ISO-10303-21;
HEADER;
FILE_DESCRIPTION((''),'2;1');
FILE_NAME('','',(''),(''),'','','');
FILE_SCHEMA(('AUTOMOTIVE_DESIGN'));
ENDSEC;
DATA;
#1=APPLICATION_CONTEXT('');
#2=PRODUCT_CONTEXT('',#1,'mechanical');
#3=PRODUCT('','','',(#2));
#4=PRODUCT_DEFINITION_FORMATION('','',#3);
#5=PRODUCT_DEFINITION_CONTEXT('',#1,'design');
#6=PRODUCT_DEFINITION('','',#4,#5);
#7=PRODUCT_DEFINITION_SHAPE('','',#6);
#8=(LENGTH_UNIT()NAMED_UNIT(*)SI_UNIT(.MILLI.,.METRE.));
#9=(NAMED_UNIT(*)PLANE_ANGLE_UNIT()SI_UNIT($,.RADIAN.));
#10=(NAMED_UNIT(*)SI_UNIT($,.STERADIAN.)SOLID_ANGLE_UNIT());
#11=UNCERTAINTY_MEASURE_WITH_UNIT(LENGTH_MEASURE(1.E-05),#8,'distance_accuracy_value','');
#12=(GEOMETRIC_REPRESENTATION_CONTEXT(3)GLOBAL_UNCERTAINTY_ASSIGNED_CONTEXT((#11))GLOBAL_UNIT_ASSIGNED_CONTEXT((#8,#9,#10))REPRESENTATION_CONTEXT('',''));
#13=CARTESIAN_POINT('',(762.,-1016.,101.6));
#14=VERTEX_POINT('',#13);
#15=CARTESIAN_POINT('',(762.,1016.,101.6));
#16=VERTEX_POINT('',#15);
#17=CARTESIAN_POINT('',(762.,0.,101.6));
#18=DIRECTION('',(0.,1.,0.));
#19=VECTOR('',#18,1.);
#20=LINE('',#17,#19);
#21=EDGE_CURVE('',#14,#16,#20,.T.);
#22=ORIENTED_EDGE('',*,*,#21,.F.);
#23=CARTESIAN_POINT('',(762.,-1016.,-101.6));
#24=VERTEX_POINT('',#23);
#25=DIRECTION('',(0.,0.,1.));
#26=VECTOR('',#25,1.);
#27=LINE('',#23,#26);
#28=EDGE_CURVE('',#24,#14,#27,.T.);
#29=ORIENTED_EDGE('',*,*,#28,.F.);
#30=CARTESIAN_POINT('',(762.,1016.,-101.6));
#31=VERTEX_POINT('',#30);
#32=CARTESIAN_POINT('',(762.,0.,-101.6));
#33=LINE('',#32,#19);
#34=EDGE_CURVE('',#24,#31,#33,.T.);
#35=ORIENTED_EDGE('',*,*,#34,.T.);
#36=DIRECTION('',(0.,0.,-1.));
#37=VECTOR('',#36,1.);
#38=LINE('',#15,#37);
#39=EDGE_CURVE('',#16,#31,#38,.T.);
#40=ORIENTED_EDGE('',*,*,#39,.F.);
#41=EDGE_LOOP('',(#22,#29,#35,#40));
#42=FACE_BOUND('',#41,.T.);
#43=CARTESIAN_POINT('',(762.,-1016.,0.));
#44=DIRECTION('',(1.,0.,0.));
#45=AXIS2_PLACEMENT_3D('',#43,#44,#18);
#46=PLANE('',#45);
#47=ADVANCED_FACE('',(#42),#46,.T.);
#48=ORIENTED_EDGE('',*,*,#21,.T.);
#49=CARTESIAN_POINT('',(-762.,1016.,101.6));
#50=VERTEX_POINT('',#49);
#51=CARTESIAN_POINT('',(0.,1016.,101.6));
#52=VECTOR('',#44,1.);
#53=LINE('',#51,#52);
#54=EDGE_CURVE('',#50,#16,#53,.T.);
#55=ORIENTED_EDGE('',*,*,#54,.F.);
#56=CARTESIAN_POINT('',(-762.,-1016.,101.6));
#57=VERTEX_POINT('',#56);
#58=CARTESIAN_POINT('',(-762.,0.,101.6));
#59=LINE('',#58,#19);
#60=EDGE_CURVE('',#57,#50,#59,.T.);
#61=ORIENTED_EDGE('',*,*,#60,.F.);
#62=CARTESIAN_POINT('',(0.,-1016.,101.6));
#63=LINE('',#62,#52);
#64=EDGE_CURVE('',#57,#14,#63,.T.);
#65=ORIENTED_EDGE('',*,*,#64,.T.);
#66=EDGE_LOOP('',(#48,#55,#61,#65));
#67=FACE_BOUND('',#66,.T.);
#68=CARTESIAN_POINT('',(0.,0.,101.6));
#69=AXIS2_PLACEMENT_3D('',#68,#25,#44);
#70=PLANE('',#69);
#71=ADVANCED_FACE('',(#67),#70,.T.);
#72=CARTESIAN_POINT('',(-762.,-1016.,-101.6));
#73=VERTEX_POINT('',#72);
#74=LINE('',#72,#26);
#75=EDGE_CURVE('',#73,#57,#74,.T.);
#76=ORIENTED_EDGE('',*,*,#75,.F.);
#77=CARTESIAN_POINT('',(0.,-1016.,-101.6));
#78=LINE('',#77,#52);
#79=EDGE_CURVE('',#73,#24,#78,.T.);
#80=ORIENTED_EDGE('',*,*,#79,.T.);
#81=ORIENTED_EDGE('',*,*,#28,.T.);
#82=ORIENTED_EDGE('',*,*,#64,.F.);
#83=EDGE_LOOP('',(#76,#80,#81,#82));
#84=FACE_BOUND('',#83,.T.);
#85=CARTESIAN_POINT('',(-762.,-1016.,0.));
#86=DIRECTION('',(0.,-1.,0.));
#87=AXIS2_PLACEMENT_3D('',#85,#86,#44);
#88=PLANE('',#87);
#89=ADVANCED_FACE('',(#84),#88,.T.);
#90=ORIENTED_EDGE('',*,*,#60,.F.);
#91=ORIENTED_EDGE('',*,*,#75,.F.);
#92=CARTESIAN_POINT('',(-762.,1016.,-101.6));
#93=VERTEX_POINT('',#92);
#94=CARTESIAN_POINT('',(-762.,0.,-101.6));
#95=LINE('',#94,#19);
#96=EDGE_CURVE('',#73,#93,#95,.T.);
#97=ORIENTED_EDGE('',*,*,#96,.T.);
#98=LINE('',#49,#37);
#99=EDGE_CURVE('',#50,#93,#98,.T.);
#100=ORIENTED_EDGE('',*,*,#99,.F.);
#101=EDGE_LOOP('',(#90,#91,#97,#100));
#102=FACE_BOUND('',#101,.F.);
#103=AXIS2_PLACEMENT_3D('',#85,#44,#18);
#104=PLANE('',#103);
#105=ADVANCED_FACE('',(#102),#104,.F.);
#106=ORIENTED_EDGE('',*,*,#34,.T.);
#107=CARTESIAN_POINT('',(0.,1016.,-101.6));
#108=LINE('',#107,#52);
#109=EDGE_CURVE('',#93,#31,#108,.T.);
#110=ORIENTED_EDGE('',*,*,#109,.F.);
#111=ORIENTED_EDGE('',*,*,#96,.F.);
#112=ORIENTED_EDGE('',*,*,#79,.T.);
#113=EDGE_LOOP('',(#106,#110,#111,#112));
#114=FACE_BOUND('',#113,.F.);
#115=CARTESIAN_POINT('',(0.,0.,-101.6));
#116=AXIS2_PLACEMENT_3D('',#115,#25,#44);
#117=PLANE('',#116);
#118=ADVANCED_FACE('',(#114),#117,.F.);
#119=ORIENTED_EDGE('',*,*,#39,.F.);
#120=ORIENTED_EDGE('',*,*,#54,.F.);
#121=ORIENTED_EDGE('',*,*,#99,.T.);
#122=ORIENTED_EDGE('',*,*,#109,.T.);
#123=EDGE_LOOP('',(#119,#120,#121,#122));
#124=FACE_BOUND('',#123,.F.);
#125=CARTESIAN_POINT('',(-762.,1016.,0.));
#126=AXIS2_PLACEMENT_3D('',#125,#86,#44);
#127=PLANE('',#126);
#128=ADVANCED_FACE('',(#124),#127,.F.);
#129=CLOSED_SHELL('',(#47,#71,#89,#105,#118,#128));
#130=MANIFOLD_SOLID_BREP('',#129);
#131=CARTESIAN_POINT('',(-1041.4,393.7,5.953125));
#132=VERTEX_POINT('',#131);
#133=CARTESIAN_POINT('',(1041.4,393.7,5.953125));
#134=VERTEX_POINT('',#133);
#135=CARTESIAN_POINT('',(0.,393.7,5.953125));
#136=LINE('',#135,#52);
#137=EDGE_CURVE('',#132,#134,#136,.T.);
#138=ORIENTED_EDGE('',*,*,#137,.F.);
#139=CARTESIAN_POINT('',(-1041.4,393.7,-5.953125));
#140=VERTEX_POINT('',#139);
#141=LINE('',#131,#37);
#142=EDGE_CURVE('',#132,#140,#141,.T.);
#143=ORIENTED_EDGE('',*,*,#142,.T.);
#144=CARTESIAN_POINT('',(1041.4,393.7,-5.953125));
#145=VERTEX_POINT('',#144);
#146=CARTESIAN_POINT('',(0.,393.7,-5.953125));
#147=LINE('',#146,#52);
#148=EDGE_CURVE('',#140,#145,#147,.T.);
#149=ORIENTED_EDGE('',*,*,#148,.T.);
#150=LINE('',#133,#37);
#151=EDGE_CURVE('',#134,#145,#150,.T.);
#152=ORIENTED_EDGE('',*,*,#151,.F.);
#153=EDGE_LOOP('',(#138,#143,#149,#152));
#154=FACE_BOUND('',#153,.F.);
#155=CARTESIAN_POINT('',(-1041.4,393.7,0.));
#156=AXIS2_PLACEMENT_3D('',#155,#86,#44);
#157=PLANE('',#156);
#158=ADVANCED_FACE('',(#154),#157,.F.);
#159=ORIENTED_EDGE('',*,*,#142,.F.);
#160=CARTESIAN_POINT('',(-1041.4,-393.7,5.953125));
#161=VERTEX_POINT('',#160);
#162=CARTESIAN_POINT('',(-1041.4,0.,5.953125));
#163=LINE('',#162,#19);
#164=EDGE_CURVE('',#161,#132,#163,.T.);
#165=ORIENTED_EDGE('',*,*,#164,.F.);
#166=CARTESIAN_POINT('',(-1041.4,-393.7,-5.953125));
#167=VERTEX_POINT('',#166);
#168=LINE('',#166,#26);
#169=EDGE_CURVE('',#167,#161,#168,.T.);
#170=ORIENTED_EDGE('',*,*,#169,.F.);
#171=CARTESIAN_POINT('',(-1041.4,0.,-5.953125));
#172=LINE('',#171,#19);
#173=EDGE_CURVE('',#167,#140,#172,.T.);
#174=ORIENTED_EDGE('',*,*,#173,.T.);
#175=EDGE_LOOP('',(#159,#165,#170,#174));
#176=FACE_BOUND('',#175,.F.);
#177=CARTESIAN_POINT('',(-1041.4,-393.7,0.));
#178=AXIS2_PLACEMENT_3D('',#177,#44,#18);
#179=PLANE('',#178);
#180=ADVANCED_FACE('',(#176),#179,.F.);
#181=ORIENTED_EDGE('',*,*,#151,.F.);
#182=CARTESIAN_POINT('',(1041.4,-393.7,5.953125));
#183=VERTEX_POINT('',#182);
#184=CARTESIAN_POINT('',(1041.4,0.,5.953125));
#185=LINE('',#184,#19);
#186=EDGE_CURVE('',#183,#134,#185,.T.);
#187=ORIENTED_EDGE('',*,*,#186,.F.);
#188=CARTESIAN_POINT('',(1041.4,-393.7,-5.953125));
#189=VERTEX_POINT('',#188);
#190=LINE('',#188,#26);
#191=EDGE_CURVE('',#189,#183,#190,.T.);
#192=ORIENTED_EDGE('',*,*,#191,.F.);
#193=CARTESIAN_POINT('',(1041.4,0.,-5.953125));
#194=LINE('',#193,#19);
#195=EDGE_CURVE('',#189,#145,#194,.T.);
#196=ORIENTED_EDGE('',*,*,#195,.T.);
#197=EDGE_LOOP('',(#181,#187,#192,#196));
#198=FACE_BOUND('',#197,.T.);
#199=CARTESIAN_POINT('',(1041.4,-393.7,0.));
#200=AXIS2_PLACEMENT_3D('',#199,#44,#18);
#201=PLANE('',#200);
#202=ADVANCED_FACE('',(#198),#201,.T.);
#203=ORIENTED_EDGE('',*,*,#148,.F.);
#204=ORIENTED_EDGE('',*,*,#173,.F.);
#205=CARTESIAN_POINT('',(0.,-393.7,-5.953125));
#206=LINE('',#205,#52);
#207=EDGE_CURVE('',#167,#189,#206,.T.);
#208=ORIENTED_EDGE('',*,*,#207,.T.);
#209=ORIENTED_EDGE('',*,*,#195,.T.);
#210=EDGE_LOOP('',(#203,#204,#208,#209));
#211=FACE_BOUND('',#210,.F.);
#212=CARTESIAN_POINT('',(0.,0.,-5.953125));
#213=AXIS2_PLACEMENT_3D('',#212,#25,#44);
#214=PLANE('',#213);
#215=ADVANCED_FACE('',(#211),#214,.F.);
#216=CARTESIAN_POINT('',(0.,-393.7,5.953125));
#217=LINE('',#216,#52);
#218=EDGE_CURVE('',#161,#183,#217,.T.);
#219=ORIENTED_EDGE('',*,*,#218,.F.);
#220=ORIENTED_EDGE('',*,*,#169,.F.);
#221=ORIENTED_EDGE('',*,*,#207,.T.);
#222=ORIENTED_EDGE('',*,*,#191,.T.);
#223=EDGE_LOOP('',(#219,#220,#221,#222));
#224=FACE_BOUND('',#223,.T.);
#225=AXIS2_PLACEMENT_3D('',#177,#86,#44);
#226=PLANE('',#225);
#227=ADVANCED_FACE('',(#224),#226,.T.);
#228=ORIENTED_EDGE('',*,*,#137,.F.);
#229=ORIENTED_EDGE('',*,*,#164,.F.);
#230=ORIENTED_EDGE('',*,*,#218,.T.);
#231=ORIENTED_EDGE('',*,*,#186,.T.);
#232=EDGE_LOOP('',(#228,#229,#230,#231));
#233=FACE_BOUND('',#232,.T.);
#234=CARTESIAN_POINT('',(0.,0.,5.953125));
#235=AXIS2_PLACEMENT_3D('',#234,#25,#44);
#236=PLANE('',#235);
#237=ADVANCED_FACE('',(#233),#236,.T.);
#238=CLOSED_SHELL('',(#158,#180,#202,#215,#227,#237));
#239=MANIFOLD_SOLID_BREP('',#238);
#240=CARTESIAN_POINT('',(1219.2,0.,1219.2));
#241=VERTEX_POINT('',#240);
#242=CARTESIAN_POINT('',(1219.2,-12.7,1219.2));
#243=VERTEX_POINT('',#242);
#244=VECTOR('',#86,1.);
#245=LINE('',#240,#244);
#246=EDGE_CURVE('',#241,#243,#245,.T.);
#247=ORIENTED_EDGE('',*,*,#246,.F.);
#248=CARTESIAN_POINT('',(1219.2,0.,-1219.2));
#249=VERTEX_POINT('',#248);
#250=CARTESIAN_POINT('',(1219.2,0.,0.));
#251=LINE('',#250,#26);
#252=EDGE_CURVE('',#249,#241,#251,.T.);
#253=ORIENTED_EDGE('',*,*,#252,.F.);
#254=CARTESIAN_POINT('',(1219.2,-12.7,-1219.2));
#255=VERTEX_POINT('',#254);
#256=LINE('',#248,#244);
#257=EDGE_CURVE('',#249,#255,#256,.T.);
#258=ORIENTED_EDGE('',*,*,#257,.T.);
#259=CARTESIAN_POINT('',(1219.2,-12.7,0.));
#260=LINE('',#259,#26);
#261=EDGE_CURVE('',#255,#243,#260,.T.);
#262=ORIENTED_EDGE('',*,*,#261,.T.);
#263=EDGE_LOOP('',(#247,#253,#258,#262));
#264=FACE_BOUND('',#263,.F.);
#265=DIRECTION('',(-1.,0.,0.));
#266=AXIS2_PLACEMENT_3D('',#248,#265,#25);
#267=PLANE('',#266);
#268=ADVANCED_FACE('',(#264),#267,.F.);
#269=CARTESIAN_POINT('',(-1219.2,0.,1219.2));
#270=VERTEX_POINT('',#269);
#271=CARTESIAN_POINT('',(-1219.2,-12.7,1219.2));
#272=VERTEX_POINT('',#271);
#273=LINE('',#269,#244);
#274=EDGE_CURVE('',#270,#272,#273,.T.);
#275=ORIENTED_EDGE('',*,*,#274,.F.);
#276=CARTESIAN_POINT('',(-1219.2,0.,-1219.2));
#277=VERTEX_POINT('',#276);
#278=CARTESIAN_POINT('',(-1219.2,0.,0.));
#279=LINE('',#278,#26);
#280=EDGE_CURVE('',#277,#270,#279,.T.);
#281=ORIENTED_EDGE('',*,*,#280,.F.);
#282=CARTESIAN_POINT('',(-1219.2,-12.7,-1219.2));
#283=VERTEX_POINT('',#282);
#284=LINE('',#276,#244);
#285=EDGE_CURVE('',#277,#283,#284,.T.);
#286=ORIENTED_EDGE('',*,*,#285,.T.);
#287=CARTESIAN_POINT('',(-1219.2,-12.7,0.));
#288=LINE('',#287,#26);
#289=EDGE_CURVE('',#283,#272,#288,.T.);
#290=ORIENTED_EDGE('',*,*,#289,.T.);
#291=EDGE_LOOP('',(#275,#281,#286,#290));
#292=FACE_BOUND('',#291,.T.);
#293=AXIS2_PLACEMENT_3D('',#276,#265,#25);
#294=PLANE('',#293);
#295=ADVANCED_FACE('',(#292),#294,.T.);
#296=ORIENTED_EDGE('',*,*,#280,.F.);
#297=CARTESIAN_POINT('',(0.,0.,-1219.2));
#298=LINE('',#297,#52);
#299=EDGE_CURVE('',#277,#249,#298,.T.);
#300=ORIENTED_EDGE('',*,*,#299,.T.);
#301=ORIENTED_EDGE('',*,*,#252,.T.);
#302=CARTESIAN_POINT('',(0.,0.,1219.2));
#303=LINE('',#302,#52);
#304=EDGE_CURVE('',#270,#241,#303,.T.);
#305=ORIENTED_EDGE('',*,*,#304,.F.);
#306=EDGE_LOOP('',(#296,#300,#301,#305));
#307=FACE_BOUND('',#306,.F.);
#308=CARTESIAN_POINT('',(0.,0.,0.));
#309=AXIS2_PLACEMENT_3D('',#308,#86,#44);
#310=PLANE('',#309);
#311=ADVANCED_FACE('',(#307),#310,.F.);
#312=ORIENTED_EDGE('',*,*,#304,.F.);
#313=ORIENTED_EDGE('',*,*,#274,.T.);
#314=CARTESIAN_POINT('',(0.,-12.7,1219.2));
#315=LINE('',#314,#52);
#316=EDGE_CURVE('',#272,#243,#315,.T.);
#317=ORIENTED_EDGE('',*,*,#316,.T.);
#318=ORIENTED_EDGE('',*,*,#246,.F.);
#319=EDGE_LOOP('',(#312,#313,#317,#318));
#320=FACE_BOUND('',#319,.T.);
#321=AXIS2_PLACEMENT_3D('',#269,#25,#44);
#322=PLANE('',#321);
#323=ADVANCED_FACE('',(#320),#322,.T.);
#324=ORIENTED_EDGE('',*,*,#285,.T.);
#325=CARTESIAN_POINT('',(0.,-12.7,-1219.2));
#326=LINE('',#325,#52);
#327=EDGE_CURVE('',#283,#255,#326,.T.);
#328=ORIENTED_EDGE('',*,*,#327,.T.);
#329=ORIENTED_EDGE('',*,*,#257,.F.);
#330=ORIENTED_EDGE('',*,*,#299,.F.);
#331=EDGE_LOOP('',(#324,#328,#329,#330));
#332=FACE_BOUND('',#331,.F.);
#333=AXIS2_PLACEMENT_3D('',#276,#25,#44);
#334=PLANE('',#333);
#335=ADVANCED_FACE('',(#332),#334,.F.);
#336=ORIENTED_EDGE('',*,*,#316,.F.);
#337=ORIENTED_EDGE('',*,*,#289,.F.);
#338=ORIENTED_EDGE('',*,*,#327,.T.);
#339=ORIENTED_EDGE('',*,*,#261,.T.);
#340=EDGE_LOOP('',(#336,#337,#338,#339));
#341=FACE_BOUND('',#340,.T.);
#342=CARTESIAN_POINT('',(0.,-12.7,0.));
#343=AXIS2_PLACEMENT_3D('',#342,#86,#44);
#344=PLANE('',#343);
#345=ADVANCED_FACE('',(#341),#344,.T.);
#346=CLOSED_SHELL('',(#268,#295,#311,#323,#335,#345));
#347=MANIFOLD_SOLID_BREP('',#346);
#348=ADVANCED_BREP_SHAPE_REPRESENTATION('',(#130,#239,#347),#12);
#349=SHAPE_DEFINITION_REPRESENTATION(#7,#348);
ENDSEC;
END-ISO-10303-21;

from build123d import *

# Parameters (mm, degrees)
F0_W     = 2082.8
F0_H     = 787.4
F1_DEPTH = 5.953125
F2_W     = 1524
F2_H     = 2032
F3_DEPTH = 101.6
F4_W     = 2438.4
F4_H     = 2438.4
F5_DEPTH = 12.7


with BuildPart() as f1:
    # F0 (on Top) → F1 (new body, symmetric)
    with BuildSketch(Plane.XY):
        Rectangle(F0_W, F0_H)
    extrude(amount=F1_DEPTH, both=True)


with BuildPart() as f3:
    # F2 (on Top) → F3 (new body, symmetric)
    with BuildSketch(Plane.XY):
        Rectangle(F2_W, F2_H)
    extrude(amount=F3_DEPTH, both=True)


with BuildPart() as f5:
    # F4 (on Front) → F5 (new body)
    with BuildSketch(Plane.XZ):
        Rectangle(F4_W, F4_H)
    extrude(amount=F5_DEPTH)


solid = Compound([f1.part, f3.part, f5.part])
